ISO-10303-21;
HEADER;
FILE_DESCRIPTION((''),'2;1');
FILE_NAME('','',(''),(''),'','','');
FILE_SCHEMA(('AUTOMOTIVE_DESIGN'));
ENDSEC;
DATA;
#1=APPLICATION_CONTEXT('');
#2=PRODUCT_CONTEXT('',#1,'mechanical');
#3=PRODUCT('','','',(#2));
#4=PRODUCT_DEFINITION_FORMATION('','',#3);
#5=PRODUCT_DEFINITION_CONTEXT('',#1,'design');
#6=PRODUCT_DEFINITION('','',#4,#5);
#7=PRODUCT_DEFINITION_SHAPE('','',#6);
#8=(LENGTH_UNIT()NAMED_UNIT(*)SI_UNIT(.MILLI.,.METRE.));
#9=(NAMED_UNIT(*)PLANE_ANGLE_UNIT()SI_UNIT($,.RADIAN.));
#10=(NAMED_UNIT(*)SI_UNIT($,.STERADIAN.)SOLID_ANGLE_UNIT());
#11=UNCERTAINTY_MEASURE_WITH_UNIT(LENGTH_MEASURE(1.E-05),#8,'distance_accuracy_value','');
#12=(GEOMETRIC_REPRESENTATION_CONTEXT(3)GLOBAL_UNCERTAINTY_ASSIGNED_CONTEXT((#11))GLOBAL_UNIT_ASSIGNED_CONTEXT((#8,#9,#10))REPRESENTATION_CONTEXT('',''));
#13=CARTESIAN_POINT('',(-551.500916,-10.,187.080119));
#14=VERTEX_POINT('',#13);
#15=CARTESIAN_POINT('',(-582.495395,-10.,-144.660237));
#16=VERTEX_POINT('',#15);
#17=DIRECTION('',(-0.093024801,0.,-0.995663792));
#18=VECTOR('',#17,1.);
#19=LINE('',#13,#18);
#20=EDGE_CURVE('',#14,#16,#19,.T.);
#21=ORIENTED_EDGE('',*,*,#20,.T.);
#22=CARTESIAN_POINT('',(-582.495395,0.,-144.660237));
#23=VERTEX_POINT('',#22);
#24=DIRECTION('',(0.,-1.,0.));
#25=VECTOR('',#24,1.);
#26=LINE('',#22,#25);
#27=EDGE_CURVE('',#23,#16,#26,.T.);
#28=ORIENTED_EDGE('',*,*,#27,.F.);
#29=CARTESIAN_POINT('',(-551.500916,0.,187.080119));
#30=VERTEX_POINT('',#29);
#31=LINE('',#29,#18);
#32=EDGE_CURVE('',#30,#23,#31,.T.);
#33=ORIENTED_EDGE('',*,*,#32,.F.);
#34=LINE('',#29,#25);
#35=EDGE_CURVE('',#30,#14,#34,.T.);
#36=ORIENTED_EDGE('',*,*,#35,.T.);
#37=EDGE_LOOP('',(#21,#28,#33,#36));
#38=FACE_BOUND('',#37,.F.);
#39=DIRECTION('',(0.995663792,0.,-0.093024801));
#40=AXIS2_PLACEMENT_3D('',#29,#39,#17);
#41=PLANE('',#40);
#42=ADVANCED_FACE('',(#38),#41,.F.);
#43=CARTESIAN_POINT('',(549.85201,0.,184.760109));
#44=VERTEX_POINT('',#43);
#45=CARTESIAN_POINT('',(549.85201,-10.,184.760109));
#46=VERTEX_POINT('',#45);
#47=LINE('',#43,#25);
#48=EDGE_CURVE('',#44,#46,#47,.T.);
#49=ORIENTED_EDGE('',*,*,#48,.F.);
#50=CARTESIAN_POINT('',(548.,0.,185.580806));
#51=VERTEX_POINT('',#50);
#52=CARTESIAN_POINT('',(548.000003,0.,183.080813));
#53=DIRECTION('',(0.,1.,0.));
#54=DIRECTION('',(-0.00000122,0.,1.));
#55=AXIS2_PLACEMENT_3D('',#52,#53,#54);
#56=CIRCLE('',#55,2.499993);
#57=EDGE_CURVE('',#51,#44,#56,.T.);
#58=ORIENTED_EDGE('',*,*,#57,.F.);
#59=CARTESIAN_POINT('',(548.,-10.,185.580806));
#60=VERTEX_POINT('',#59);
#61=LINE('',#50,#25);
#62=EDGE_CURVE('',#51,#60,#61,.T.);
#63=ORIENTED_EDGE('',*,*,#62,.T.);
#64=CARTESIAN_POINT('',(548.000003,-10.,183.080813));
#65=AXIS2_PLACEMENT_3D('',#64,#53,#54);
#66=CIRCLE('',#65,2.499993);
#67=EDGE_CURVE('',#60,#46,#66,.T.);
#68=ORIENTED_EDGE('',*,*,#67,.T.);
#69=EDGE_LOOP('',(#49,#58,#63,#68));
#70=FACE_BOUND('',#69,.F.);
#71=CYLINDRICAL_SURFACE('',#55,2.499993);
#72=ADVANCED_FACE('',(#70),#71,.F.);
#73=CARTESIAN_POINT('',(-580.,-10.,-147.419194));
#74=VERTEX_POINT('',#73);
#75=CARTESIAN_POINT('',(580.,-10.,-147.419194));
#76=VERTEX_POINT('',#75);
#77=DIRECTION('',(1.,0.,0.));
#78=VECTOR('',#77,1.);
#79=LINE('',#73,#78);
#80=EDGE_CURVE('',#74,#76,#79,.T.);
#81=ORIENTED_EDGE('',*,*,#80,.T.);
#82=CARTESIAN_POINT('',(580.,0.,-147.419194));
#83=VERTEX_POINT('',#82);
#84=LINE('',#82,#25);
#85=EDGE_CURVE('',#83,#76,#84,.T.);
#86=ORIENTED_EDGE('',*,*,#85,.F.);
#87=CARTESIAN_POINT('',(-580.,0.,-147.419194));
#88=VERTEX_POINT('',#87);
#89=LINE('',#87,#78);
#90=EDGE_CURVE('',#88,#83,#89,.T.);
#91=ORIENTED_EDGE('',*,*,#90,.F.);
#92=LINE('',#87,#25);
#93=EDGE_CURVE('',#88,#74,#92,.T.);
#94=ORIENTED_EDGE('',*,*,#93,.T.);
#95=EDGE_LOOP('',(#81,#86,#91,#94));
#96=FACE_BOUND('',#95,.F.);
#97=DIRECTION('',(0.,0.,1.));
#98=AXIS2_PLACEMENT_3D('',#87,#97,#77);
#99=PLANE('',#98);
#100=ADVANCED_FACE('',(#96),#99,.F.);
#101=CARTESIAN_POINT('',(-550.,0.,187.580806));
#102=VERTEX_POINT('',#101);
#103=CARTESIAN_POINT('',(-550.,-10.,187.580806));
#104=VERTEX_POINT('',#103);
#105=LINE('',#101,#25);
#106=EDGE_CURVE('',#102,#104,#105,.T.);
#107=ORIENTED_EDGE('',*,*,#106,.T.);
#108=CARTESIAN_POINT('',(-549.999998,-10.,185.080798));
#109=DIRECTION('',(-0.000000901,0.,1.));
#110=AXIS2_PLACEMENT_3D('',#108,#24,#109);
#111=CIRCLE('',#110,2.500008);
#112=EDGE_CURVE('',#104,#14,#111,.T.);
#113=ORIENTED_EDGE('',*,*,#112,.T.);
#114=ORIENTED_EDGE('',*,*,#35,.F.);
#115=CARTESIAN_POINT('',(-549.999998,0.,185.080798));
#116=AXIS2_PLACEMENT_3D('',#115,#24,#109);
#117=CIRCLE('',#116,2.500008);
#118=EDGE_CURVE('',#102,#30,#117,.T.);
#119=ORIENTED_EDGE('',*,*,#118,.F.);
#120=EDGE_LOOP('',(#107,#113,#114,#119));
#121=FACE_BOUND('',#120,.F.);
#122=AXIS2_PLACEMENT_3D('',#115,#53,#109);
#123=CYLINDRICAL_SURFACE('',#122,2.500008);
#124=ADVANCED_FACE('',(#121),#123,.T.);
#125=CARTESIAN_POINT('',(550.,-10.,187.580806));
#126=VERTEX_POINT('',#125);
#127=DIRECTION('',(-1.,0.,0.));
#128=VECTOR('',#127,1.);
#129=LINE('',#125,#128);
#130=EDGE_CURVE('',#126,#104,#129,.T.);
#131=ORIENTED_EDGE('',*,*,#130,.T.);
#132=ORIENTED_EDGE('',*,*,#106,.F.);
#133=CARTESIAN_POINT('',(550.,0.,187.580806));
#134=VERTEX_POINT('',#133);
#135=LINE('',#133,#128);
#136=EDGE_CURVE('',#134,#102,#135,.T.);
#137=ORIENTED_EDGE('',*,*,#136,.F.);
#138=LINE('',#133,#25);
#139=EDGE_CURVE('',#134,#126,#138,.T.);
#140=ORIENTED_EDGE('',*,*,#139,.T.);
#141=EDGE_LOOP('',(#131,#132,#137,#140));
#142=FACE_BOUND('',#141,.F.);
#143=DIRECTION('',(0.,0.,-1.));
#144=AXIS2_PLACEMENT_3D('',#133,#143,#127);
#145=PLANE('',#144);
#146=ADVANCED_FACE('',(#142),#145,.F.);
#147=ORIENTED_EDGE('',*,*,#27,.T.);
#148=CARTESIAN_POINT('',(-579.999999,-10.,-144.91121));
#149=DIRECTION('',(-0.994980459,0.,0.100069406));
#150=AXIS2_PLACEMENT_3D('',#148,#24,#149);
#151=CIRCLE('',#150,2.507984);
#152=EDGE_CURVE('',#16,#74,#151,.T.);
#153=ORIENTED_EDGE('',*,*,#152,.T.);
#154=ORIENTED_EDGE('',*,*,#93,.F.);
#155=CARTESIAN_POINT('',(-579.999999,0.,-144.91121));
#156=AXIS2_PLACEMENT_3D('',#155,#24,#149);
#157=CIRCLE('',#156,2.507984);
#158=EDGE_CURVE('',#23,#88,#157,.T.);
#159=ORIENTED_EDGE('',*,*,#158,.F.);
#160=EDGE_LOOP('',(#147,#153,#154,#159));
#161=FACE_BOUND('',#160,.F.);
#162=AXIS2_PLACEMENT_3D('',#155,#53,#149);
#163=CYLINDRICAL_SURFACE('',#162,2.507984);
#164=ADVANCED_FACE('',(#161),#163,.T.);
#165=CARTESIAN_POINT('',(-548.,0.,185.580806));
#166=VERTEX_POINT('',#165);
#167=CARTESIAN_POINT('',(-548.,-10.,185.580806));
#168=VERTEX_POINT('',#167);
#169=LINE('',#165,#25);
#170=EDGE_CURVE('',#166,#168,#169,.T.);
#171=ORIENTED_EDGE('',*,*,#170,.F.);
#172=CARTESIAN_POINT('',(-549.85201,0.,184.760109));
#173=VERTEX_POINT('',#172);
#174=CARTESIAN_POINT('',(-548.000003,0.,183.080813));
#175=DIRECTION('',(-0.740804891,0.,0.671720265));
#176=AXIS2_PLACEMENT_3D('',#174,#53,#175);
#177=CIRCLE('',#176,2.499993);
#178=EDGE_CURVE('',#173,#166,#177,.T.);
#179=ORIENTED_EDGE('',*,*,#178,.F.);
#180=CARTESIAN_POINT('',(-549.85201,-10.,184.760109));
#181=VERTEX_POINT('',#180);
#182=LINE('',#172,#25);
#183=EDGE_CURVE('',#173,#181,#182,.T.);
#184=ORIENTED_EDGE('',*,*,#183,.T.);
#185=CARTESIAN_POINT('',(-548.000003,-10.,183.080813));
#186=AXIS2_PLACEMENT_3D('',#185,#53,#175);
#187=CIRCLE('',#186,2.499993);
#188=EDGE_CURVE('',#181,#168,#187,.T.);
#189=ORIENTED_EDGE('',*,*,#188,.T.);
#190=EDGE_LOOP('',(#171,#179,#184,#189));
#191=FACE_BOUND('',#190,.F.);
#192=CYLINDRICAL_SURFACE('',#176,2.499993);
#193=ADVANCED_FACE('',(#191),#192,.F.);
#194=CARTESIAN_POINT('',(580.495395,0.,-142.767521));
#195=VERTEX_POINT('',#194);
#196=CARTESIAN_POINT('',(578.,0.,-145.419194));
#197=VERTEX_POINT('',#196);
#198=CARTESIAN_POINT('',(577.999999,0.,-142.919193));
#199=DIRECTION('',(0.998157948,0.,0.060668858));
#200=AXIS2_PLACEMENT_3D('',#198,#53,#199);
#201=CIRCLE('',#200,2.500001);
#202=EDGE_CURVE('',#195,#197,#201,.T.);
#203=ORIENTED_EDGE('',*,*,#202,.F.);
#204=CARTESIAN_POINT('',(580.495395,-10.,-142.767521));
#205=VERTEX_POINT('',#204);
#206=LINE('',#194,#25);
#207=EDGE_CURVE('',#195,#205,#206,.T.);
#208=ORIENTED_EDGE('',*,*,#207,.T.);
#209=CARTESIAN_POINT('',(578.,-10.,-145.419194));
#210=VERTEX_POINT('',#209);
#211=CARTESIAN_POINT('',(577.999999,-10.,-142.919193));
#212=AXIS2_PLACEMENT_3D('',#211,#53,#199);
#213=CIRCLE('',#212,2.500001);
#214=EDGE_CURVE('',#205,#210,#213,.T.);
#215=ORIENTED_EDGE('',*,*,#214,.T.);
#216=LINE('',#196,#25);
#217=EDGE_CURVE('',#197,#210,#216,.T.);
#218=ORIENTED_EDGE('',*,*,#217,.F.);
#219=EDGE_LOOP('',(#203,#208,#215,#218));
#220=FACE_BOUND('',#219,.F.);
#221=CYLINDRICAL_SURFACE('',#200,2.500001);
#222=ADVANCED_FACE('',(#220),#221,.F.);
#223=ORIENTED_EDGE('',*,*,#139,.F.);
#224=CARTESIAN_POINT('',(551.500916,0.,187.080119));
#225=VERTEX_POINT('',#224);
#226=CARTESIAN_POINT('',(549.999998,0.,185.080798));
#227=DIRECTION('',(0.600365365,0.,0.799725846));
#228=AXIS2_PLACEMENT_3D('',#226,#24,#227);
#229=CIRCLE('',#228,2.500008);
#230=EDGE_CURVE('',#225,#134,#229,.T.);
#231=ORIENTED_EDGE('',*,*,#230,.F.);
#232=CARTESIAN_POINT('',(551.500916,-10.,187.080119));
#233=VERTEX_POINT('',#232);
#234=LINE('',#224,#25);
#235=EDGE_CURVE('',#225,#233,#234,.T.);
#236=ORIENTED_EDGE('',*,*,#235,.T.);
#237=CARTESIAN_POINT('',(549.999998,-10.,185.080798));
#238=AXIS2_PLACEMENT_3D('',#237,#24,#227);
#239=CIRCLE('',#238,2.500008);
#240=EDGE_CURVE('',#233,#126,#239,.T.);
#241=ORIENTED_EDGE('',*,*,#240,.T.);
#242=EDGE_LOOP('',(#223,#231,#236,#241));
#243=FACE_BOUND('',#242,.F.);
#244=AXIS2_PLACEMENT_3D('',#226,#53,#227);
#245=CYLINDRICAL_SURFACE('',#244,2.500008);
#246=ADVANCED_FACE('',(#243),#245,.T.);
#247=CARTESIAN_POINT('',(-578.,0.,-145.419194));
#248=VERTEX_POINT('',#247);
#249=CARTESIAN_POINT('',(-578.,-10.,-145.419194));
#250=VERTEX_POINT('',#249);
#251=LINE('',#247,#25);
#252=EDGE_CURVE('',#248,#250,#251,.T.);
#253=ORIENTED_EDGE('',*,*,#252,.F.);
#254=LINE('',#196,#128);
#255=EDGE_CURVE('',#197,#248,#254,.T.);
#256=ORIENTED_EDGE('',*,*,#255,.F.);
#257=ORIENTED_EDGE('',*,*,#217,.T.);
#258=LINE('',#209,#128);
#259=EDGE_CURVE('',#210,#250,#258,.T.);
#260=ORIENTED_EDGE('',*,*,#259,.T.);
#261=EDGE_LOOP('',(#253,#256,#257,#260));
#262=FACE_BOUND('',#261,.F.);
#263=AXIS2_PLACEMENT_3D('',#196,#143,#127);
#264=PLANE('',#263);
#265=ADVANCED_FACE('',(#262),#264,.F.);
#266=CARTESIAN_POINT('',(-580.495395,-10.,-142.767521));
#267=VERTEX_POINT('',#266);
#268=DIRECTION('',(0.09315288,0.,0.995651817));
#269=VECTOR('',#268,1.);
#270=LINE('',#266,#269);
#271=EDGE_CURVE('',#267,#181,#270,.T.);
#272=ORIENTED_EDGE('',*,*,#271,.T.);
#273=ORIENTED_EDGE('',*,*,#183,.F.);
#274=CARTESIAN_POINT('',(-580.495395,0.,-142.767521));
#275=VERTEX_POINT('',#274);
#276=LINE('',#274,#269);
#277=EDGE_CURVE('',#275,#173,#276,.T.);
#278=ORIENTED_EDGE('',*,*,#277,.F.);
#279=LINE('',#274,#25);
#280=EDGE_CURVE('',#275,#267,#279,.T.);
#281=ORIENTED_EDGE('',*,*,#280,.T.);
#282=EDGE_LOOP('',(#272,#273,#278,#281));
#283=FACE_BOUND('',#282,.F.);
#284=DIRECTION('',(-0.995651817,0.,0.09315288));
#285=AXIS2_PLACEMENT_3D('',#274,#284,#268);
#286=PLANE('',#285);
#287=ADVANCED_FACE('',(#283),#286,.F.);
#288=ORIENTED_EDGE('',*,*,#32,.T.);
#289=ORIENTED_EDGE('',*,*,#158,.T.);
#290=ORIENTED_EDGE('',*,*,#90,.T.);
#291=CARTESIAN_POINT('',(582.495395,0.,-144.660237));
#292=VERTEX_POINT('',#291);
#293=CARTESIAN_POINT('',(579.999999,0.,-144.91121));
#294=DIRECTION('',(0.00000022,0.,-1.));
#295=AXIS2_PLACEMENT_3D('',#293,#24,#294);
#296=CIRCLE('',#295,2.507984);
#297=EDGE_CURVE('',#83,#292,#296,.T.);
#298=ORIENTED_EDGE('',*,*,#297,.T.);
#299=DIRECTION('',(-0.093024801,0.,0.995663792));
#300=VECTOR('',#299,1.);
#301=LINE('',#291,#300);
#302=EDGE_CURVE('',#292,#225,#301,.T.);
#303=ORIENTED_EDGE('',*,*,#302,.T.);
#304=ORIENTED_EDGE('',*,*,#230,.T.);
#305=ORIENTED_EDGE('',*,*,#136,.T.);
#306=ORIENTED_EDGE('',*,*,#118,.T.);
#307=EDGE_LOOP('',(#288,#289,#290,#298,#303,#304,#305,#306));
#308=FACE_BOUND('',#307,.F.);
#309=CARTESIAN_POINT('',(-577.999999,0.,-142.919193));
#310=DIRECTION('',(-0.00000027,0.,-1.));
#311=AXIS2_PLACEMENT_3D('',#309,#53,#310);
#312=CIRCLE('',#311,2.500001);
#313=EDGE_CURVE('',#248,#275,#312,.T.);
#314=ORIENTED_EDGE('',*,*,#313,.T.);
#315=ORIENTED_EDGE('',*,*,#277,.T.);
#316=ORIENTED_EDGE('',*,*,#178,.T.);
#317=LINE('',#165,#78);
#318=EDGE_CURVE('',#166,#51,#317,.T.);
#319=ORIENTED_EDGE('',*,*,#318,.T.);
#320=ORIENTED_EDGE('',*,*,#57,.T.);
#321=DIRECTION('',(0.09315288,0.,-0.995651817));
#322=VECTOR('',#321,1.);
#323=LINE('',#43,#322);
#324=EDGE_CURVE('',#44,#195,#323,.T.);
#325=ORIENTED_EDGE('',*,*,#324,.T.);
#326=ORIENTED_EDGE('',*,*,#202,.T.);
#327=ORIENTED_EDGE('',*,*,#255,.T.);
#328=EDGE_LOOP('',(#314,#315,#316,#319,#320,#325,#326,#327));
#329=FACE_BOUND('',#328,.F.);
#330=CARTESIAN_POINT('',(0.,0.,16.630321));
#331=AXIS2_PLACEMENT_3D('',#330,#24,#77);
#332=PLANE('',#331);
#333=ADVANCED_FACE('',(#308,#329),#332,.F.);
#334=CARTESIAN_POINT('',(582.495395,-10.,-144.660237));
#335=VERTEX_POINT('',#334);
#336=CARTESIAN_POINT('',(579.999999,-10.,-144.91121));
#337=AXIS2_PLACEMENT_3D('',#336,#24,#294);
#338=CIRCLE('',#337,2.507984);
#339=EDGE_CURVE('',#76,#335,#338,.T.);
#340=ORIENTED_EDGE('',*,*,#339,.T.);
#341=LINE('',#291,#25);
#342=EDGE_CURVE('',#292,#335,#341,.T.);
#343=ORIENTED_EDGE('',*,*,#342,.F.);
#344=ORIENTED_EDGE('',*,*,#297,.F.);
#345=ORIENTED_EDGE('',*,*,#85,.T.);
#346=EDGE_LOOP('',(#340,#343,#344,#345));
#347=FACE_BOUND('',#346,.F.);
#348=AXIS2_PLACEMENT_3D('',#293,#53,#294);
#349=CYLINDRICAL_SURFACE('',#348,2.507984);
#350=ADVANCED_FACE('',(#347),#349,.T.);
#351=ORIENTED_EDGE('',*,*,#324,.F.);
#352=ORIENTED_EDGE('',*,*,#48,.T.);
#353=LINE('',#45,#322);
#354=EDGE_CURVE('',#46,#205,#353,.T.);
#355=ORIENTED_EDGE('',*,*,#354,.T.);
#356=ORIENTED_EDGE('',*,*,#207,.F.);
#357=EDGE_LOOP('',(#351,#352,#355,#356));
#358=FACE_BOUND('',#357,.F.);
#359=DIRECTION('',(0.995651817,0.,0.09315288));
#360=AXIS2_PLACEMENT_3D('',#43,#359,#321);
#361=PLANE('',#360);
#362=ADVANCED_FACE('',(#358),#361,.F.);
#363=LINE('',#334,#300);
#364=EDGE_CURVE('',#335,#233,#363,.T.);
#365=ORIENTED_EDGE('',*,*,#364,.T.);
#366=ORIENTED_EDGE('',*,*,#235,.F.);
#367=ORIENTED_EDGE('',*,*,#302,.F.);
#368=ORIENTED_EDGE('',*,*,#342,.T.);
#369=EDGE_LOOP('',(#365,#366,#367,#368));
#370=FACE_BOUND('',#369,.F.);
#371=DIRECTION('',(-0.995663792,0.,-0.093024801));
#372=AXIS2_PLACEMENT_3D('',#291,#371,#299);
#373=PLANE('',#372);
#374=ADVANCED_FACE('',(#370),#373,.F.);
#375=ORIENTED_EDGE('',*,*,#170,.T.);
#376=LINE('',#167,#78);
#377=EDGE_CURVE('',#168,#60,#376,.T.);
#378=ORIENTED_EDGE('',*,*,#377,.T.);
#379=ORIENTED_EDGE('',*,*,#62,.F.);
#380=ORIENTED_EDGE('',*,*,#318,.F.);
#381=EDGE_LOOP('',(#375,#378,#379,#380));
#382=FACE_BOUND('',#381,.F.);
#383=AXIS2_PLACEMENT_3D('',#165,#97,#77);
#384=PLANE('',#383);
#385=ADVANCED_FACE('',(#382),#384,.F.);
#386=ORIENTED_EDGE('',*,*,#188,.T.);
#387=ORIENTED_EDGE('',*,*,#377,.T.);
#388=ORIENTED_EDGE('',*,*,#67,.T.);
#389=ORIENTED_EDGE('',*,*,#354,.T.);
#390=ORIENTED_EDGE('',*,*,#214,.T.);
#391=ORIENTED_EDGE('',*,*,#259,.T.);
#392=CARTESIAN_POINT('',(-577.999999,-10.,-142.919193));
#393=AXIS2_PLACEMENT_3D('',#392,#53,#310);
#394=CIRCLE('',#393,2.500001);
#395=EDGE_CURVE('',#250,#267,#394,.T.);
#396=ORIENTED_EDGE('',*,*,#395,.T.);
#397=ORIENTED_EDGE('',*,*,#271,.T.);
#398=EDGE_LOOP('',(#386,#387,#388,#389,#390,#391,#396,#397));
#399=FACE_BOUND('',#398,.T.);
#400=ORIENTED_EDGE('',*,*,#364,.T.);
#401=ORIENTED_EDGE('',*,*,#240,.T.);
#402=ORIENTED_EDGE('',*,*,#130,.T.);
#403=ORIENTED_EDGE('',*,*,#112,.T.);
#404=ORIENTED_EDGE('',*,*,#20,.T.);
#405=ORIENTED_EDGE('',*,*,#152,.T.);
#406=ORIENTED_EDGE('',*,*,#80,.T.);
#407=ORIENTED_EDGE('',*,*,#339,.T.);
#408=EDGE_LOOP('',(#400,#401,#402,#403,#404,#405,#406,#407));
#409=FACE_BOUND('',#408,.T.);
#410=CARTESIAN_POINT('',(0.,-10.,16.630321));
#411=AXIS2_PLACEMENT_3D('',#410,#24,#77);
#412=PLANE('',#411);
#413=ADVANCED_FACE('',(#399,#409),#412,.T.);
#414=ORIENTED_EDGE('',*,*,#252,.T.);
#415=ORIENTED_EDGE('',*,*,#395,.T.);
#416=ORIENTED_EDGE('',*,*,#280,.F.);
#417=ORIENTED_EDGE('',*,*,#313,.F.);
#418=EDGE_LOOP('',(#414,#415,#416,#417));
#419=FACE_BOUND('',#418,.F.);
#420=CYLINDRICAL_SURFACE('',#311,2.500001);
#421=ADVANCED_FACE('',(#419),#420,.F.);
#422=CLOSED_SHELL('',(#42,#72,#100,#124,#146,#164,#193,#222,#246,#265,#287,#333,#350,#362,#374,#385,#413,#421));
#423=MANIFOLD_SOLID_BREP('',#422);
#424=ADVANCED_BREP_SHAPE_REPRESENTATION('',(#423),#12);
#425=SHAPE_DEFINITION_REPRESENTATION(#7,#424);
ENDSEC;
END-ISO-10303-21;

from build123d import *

# Parameters (mm, degrees)
F1_DEPTH = 10


with BuildPart() as f1:
    # F0 (on Front) → F1 (new body)
    with BuildSketch(Plane.XZ):
        with BuildLine():
            Line((0, 187.580806), (-550, 187.580806))
            ThreePointArc((-550, 187.580806), (-550.791112, 187.452333), (-551.500916, 187.080119))
            Line((-551.500916, 187.080119), (-582.495395, -144.660237))
            ThreePointArc((-582.495395, -144.660237), (-581.860029, -146.593552), (-580, -147.419194))
            Line((-580, -147.419194), (-6.159987, -147.419194))
            Line((-6.159987, -147.419194), (6.159987, -147.419194))
            Line((6.159987, -147.419194), (580, -147.419194))
            ThreePointArc((580, -147.419194), (581.860029, -146.593552), (582.495395, -144.660237))
            Line((582.495395, -144.660237), (551.500916, 187.080119))
            ThreePointArc((551.500916, 187.080119), (550.791112, 187.452333), (550, 187.580806))
            Line((550, 187.580806), (0, 187.580806))
        make_face()
        with BuildLine():
            ThreePointArc((-549.85201, 184.760109), (-549.012853, 185.366442), (-548, 185.580806))
            Line((-548, 185.580806), (0, 185.580806))
            Line((0, 185.580806), (548, 185.580806))
            ThreePointArc((548, 185.580806), (549.012853, 185.366442), (549.85201, 184.760109))
            Line((549.85201, 184.760109), (580.495395, -142.767521))
            ThreePointArc((580.495395, -142.767521), (579.820602, -144.632497), (578, -145.419194))
            Line((578, -145.419194), (0, -145.419194))
            Line((0, -145.419194), (-578, -145.419194))
            ThreePointArc((-578, -145.419194), (-579.820602, -144.632497), (-580.495395, -142.767521))
            Line((-580.495395, -142.767521), (-549.85201, 184.760109))
        make_face(mode=Mode.SUBTRACT)
    extrude(amount=F1_DEPTH)


solid = f1.part
